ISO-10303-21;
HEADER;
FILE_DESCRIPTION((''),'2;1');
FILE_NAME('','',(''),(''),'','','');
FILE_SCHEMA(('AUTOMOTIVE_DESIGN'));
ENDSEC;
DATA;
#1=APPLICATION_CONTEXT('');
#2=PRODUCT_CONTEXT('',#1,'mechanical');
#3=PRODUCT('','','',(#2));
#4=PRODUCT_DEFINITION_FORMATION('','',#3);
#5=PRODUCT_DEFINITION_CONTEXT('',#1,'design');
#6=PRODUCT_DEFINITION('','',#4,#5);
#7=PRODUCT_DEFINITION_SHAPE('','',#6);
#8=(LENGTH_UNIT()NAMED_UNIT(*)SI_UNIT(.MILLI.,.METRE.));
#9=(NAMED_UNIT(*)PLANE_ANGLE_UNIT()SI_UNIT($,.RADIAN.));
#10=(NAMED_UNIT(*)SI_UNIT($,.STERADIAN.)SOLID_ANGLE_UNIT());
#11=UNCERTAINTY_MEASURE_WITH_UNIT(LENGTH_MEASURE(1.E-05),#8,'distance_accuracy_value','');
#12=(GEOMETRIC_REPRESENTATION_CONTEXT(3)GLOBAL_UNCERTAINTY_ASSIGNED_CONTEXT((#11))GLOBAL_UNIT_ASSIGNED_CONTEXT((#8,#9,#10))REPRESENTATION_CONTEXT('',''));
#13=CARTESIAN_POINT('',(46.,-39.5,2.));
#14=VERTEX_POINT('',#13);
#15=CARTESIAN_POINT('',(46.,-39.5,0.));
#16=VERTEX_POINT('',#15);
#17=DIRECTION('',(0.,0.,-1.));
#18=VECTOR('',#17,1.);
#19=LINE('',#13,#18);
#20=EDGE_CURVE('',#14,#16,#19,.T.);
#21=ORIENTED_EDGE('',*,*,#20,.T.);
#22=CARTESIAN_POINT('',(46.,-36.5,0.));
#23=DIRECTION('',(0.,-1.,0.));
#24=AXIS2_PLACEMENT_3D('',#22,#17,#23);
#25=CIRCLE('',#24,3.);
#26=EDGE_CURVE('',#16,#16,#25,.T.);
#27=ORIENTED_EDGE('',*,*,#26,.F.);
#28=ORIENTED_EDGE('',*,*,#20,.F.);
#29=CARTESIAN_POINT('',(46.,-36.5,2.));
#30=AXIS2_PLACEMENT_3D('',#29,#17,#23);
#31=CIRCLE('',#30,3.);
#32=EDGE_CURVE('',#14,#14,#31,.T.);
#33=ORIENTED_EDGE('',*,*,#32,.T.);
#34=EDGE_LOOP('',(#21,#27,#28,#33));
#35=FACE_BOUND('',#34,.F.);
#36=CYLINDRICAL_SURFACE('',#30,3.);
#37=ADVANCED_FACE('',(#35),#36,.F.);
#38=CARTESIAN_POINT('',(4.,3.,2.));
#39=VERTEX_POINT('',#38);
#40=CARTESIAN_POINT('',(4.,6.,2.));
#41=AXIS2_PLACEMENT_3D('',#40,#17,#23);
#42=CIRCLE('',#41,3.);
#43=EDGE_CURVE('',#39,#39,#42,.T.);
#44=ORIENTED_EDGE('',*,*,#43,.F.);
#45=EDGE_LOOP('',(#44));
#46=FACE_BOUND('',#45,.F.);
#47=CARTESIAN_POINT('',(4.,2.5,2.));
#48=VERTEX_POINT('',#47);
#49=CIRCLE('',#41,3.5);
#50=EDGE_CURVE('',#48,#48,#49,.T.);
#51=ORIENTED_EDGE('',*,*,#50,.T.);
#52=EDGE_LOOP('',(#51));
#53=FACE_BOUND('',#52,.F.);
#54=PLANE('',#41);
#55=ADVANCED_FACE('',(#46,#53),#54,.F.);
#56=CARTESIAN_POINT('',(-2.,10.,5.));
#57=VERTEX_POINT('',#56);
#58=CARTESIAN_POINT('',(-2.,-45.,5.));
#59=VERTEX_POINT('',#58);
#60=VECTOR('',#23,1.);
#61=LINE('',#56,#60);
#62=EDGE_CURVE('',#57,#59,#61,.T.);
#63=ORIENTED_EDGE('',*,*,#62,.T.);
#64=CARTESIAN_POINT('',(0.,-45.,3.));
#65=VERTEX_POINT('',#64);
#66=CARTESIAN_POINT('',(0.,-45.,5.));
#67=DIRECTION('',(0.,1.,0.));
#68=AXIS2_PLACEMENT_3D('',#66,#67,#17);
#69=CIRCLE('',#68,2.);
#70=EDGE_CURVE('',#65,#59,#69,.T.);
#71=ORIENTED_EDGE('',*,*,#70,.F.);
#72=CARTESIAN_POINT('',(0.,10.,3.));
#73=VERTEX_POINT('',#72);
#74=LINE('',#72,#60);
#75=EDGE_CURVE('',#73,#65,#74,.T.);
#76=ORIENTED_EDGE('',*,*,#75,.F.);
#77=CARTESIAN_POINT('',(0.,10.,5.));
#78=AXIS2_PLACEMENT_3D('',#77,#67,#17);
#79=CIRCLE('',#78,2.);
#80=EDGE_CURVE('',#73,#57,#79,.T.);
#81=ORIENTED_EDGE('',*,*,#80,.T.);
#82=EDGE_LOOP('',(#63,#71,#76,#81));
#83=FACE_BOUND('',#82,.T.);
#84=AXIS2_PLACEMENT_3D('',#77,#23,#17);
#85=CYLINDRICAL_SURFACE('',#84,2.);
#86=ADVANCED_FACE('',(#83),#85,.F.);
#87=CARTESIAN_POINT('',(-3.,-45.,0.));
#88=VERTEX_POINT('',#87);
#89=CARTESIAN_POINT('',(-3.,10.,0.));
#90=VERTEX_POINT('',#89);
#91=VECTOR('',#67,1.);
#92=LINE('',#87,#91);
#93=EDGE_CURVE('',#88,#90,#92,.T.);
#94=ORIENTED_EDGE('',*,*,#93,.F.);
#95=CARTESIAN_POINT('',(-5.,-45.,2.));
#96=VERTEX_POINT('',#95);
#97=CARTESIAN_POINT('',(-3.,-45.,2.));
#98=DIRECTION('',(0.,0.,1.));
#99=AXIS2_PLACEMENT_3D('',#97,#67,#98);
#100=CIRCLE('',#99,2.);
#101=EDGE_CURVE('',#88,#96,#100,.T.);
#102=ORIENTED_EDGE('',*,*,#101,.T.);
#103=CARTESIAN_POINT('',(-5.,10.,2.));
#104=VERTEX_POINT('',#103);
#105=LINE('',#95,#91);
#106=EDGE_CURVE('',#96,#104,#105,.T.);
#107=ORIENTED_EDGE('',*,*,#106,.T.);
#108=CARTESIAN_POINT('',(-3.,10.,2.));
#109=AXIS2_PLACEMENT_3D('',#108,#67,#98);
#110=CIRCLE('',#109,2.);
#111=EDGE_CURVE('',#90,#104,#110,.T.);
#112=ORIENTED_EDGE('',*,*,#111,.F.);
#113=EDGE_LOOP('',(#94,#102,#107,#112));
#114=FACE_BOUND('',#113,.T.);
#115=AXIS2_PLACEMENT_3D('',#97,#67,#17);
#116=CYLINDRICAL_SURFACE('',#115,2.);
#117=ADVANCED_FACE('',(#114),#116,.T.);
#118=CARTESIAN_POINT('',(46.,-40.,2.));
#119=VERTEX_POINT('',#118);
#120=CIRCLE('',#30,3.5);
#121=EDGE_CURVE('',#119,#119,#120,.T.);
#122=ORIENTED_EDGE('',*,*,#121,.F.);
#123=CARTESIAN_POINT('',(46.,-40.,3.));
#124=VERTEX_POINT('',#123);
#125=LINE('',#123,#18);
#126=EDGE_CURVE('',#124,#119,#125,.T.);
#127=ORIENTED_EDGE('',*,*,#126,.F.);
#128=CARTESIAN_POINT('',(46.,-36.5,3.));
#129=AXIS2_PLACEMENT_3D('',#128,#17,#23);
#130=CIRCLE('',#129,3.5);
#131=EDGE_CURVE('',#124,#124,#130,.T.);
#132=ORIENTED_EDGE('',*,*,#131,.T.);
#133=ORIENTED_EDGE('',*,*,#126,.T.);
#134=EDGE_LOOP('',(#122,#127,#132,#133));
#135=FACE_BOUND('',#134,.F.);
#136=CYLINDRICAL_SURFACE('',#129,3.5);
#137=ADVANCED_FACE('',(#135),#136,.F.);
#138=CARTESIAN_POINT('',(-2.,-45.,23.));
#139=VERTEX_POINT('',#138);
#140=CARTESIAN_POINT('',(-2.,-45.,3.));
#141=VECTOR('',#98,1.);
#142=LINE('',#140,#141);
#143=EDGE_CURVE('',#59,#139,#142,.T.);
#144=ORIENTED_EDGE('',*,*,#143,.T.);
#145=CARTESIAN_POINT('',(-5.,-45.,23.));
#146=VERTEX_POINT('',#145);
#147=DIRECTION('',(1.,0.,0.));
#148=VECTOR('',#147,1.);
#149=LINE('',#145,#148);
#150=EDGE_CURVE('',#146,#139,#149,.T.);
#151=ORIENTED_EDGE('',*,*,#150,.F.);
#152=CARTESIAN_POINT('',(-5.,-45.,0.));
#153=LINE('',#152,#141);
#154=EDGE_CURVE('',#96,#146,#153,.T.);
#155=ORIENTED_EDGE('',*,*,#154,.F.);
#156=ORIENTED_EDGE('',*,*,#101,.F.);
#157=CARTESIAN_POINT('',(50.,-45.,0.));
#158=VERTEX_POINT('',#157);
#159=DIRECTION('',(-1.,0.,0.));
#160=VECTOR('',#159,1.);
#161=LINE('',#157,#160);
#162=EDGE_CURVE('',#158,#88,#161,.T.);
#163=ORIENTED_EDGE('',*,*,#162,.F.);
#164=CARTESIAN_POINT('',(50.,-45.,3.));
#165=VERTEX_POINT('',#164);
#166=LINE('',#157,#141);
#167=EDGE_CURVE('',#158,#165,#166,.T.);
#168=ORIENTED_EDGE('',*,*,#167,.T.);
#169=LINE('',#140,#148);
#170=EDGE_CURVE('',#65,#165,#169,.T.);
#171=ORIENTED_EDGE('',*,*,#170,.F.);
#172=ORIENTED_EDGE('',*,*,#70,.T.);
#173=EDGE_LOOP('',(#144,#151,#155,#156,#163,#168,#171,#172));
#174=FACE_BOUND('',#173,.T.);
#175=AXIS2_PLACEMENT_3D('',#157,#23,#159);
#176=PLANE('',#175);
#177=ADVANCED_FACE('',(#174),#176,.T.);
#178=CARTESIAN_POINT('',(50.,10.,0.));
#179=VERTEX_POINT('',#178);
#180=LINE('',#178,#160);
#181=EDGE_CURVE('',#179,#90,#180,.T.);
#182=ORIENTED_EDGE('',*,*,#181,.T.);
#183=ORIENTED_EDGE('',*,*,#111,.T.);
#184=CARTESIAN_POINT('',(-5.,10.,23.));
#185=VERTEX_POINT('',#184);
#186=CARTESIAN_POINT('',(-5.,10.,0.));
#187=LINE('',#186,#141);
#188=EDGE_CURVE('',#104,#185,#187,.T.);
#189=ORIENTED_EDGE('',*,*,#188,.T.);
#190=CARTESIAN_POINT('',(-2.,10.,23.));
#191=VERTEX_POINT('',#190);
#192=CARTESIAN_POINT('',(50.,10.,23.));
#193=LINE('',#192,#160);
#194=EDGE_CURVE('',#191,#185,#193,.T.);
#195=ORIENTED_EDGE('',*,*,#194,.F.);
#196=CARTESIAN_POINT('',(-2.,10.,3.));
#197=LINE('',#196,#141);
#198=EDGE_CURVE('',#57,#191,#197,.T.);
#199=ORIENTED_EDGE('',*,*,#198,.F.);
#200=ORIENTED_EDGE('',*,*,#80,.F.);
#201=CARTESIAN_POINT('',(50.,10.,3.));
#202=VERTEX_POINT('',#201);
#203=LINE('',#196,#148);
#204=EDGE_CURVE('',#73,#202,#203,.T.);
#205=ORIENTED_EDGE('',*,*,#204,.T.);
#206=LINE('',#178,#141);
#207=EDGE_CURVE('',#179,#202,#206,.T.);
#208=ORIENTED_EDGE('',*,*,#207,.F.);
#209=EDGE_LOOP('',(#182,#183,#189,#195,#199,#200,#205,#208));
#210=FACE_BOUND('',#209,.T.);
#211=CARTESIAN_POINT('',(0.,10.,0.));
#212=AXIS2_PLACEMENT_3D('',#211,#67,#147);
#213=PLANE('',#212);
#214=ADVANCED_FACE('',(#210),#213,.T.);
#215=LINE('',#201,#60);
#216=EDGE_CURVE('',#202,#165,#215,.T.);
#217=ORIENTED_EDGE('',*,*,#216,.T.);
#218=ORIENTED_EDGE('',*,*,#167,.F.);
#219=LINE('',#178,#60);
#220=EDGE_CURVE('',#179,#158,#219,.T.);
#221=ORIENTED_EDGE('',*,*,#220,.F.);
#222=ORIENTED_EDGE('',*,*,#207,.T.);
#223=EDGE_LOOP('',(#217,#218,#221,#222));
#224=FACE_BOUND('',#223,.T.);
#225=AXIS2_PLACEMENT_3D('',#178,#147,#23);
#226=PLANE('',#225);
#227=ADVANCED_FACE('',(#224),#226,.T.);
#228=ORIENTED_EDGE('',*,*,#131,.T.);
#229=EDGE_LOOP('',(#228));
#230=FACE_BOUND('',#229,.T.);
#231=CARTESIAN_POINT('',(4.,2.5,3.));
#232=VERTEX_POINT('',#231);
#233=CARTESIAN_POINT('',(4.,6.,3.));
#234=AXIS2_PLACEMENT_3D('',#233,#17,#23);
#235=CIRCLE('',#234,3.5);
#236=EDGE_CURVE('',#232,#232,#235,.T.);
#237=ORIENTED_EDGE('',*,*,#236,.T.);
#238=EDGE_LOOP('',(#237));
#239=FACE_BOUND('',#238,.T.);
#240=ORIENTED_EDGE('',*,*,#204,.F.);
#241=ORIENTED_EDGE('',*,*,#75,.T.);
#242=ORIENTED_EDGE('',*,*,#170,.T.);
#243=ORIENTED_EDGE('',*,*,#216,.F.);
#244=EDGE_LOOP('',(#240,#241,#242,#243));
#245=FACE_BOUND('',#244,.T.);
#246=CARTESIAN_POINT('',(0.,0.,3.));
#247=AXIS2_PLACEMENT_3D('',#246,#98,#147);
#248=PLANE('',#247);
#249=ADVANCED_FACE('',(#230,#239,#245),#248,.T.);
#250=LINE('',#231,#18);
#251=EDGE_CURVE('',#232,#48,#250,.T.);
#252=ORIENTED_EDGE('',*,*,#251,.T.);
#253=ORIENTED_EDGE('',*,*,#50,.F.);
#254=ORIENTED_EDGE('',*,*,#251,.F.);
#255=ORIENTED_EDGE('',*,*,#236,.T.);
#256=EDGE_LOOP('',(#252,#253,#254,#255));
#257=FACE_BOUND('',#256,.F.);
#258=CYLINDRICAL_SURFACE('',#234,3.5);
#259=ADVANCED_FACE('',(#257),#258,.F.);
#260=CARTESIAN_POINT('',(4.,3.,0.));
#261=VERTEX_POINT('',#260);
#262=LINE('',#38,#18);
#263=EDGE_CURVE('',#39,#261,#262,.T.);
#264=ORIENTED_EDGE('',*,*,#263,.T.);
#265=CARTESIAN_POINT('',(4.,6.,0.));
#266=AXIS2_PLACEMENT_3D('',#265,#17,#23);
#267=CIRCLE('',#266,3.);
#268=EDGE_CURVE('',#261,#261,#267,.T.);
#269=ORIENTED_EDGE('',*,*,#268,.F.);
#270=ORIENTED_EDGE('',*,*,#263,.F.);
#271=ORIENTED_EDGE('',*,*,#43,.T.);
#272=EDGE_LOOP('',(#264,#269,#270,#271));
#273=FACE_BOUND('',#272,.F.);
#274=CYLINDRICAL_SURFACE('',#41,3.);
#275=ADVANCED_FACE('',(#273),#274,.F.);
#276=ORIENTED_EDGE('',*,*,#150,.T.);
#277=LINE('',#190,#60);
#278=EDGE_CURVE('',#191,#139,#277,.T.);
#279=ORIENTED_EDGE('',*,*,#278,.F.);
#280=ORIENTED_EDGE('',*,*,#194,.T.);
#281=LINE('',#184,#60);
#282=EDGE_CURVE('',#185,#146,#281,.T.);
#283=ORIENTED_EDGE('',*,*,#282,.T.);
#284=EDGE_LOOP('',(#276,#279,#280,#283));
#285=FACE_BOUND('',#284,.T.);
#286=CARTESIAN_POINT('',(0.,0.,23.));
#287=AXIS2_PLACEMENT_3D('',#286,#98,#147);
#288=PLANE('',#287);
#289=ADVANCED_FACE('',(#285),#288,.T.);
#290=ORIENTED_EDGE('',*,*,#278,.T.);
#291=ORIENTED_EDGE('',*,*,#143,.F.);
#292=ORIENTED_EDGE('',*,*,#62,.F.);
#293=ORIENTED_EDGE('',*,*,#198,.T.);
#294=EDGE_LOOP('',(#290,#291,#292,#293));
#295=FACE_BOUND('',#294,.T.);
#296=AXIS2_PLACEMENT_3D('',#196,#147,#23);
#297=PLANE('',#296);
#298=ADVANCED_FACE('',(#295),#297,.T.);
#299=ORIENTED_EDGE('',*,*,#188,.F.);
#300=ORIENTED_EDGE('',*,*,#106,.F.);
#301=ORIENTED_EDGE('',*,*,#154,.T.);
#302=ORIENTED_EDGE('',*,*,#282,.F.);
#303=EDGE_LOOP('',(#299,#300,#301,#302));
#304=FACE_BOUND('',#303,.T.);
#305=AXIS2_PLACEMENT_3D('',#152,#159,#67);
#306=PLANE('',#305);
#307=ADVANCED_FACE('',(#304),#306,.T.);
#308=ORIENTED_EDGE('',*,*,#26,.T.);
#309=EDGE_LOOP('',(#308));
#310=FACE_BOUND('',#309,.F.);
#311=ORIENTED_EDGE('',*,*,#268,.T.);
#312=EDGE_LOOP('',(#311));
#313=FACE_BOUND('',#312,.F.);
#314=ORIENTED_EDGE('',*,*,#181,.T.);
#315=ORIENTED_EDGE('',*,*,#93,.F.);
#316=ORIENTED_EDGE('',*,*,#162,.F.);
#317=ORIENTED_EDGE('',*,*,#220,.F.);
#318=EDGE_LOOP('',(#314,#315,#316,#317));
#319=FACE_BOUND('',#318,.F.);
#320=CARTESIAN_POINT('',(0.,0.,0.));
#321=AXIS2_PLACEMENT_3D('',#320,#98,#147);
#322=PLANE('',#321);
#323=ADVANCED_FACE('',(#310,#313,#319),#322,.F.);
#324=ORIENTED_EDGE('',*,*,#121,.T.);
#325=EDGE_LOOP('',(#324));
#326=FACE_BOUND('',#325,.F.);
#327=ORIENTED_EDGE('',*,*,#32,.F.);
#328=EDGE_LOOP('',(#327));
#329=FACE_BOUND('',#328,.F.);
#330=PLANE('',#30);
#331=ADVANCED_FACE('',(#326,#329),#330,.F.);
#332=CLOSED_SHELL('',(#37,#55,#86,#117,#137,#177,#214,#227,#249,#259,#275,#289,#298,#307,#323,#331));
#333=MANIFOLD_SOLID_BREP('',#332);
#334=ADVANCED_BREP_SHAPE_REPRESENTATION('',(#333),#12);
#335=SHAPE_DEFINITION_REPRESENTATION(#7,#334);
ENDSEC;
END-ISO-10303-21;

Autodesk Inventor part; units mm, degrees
ref_plane "YZ Plane" through (0, 0, 0) normal (1, 0, 0) x (0, 1, 0)
ref_plane "XZ Plane" through (0, 0, 0) normal (0, 1, 0) x (-1, 0, 0)
ref_plane "XY Plane" through (0, 0, 0) normal (0, 0, 1) x (1, 0, 0)
sketch "Skizze1" plane through (0, 0, 0) normal (0, 0, 1) x (1, 0, 0)
  line L0 (0, 10) -> (50, 10)
  line L1 (50, 10) -> (50, -45)
  line L2 (50, -45) -> (0, -45)
  line L3 (0, -45) -> (-5, -45)
  line L4 (-5, -45) -> (-5, 10)
  line L5 (-5, 10) -> (0, 10)
  point P0 (0, 0)
  dimension "d0" = 10
  dimension "d1" = 50
  dimension "d2" = 55
  dimension "d3" = 50
  dimension "d6" = 5
extrude "Extrusion1" add sketch "Skizze1" along normal blind 3
sketch "Skizze3" plane through (0, 0, 3) normal (0, 0, 1) x (1, 0, 0)
  line L0 (50, 10) -> (-5, 10) projected
  line L1 (-5, 10) -> (-5, -45) projected
  line L2 (-5, 10) -> (-2, 10)
  line L3 (-2, 10) -> (-2, -45)
  line L4 (-5, -45) -> (50, -45) projected
  line L5 (-5, -45) -> (-5, 10)
  point P0 (0, 0)
  dimension "d13" = 3
extrude "Extrusion3" add sketch "Skizze3" along normal blind 20
fillet "Rundung2" radius 2 2 edges at (-2, -17.5, 3) (-5, -17.5, 0)
sketch "Skizze4" plane through (0, 0, 3) normal (0, 0, 1) x (1, 0, 0)
  circle A0 centre (46, -36.5) radius 3 projected
  circle A1 centre (4, 6) radius 3 projected
  circle A2 centre (4, 6) radius 1.8 projected
  circle A3 centre (46, -36.5) radius 1.8 projected
  point P0 (0, 0)
  dimension "d17" = 3.6
  dimension "d18" = 6
hole "Bohrung1" at (4, 6, 3) at (46, -36.5, 3) direction (0, 0, -1) diameter 6 end through all counterbore diameter 7 counterbore depth 1
properties part number "stativ"
